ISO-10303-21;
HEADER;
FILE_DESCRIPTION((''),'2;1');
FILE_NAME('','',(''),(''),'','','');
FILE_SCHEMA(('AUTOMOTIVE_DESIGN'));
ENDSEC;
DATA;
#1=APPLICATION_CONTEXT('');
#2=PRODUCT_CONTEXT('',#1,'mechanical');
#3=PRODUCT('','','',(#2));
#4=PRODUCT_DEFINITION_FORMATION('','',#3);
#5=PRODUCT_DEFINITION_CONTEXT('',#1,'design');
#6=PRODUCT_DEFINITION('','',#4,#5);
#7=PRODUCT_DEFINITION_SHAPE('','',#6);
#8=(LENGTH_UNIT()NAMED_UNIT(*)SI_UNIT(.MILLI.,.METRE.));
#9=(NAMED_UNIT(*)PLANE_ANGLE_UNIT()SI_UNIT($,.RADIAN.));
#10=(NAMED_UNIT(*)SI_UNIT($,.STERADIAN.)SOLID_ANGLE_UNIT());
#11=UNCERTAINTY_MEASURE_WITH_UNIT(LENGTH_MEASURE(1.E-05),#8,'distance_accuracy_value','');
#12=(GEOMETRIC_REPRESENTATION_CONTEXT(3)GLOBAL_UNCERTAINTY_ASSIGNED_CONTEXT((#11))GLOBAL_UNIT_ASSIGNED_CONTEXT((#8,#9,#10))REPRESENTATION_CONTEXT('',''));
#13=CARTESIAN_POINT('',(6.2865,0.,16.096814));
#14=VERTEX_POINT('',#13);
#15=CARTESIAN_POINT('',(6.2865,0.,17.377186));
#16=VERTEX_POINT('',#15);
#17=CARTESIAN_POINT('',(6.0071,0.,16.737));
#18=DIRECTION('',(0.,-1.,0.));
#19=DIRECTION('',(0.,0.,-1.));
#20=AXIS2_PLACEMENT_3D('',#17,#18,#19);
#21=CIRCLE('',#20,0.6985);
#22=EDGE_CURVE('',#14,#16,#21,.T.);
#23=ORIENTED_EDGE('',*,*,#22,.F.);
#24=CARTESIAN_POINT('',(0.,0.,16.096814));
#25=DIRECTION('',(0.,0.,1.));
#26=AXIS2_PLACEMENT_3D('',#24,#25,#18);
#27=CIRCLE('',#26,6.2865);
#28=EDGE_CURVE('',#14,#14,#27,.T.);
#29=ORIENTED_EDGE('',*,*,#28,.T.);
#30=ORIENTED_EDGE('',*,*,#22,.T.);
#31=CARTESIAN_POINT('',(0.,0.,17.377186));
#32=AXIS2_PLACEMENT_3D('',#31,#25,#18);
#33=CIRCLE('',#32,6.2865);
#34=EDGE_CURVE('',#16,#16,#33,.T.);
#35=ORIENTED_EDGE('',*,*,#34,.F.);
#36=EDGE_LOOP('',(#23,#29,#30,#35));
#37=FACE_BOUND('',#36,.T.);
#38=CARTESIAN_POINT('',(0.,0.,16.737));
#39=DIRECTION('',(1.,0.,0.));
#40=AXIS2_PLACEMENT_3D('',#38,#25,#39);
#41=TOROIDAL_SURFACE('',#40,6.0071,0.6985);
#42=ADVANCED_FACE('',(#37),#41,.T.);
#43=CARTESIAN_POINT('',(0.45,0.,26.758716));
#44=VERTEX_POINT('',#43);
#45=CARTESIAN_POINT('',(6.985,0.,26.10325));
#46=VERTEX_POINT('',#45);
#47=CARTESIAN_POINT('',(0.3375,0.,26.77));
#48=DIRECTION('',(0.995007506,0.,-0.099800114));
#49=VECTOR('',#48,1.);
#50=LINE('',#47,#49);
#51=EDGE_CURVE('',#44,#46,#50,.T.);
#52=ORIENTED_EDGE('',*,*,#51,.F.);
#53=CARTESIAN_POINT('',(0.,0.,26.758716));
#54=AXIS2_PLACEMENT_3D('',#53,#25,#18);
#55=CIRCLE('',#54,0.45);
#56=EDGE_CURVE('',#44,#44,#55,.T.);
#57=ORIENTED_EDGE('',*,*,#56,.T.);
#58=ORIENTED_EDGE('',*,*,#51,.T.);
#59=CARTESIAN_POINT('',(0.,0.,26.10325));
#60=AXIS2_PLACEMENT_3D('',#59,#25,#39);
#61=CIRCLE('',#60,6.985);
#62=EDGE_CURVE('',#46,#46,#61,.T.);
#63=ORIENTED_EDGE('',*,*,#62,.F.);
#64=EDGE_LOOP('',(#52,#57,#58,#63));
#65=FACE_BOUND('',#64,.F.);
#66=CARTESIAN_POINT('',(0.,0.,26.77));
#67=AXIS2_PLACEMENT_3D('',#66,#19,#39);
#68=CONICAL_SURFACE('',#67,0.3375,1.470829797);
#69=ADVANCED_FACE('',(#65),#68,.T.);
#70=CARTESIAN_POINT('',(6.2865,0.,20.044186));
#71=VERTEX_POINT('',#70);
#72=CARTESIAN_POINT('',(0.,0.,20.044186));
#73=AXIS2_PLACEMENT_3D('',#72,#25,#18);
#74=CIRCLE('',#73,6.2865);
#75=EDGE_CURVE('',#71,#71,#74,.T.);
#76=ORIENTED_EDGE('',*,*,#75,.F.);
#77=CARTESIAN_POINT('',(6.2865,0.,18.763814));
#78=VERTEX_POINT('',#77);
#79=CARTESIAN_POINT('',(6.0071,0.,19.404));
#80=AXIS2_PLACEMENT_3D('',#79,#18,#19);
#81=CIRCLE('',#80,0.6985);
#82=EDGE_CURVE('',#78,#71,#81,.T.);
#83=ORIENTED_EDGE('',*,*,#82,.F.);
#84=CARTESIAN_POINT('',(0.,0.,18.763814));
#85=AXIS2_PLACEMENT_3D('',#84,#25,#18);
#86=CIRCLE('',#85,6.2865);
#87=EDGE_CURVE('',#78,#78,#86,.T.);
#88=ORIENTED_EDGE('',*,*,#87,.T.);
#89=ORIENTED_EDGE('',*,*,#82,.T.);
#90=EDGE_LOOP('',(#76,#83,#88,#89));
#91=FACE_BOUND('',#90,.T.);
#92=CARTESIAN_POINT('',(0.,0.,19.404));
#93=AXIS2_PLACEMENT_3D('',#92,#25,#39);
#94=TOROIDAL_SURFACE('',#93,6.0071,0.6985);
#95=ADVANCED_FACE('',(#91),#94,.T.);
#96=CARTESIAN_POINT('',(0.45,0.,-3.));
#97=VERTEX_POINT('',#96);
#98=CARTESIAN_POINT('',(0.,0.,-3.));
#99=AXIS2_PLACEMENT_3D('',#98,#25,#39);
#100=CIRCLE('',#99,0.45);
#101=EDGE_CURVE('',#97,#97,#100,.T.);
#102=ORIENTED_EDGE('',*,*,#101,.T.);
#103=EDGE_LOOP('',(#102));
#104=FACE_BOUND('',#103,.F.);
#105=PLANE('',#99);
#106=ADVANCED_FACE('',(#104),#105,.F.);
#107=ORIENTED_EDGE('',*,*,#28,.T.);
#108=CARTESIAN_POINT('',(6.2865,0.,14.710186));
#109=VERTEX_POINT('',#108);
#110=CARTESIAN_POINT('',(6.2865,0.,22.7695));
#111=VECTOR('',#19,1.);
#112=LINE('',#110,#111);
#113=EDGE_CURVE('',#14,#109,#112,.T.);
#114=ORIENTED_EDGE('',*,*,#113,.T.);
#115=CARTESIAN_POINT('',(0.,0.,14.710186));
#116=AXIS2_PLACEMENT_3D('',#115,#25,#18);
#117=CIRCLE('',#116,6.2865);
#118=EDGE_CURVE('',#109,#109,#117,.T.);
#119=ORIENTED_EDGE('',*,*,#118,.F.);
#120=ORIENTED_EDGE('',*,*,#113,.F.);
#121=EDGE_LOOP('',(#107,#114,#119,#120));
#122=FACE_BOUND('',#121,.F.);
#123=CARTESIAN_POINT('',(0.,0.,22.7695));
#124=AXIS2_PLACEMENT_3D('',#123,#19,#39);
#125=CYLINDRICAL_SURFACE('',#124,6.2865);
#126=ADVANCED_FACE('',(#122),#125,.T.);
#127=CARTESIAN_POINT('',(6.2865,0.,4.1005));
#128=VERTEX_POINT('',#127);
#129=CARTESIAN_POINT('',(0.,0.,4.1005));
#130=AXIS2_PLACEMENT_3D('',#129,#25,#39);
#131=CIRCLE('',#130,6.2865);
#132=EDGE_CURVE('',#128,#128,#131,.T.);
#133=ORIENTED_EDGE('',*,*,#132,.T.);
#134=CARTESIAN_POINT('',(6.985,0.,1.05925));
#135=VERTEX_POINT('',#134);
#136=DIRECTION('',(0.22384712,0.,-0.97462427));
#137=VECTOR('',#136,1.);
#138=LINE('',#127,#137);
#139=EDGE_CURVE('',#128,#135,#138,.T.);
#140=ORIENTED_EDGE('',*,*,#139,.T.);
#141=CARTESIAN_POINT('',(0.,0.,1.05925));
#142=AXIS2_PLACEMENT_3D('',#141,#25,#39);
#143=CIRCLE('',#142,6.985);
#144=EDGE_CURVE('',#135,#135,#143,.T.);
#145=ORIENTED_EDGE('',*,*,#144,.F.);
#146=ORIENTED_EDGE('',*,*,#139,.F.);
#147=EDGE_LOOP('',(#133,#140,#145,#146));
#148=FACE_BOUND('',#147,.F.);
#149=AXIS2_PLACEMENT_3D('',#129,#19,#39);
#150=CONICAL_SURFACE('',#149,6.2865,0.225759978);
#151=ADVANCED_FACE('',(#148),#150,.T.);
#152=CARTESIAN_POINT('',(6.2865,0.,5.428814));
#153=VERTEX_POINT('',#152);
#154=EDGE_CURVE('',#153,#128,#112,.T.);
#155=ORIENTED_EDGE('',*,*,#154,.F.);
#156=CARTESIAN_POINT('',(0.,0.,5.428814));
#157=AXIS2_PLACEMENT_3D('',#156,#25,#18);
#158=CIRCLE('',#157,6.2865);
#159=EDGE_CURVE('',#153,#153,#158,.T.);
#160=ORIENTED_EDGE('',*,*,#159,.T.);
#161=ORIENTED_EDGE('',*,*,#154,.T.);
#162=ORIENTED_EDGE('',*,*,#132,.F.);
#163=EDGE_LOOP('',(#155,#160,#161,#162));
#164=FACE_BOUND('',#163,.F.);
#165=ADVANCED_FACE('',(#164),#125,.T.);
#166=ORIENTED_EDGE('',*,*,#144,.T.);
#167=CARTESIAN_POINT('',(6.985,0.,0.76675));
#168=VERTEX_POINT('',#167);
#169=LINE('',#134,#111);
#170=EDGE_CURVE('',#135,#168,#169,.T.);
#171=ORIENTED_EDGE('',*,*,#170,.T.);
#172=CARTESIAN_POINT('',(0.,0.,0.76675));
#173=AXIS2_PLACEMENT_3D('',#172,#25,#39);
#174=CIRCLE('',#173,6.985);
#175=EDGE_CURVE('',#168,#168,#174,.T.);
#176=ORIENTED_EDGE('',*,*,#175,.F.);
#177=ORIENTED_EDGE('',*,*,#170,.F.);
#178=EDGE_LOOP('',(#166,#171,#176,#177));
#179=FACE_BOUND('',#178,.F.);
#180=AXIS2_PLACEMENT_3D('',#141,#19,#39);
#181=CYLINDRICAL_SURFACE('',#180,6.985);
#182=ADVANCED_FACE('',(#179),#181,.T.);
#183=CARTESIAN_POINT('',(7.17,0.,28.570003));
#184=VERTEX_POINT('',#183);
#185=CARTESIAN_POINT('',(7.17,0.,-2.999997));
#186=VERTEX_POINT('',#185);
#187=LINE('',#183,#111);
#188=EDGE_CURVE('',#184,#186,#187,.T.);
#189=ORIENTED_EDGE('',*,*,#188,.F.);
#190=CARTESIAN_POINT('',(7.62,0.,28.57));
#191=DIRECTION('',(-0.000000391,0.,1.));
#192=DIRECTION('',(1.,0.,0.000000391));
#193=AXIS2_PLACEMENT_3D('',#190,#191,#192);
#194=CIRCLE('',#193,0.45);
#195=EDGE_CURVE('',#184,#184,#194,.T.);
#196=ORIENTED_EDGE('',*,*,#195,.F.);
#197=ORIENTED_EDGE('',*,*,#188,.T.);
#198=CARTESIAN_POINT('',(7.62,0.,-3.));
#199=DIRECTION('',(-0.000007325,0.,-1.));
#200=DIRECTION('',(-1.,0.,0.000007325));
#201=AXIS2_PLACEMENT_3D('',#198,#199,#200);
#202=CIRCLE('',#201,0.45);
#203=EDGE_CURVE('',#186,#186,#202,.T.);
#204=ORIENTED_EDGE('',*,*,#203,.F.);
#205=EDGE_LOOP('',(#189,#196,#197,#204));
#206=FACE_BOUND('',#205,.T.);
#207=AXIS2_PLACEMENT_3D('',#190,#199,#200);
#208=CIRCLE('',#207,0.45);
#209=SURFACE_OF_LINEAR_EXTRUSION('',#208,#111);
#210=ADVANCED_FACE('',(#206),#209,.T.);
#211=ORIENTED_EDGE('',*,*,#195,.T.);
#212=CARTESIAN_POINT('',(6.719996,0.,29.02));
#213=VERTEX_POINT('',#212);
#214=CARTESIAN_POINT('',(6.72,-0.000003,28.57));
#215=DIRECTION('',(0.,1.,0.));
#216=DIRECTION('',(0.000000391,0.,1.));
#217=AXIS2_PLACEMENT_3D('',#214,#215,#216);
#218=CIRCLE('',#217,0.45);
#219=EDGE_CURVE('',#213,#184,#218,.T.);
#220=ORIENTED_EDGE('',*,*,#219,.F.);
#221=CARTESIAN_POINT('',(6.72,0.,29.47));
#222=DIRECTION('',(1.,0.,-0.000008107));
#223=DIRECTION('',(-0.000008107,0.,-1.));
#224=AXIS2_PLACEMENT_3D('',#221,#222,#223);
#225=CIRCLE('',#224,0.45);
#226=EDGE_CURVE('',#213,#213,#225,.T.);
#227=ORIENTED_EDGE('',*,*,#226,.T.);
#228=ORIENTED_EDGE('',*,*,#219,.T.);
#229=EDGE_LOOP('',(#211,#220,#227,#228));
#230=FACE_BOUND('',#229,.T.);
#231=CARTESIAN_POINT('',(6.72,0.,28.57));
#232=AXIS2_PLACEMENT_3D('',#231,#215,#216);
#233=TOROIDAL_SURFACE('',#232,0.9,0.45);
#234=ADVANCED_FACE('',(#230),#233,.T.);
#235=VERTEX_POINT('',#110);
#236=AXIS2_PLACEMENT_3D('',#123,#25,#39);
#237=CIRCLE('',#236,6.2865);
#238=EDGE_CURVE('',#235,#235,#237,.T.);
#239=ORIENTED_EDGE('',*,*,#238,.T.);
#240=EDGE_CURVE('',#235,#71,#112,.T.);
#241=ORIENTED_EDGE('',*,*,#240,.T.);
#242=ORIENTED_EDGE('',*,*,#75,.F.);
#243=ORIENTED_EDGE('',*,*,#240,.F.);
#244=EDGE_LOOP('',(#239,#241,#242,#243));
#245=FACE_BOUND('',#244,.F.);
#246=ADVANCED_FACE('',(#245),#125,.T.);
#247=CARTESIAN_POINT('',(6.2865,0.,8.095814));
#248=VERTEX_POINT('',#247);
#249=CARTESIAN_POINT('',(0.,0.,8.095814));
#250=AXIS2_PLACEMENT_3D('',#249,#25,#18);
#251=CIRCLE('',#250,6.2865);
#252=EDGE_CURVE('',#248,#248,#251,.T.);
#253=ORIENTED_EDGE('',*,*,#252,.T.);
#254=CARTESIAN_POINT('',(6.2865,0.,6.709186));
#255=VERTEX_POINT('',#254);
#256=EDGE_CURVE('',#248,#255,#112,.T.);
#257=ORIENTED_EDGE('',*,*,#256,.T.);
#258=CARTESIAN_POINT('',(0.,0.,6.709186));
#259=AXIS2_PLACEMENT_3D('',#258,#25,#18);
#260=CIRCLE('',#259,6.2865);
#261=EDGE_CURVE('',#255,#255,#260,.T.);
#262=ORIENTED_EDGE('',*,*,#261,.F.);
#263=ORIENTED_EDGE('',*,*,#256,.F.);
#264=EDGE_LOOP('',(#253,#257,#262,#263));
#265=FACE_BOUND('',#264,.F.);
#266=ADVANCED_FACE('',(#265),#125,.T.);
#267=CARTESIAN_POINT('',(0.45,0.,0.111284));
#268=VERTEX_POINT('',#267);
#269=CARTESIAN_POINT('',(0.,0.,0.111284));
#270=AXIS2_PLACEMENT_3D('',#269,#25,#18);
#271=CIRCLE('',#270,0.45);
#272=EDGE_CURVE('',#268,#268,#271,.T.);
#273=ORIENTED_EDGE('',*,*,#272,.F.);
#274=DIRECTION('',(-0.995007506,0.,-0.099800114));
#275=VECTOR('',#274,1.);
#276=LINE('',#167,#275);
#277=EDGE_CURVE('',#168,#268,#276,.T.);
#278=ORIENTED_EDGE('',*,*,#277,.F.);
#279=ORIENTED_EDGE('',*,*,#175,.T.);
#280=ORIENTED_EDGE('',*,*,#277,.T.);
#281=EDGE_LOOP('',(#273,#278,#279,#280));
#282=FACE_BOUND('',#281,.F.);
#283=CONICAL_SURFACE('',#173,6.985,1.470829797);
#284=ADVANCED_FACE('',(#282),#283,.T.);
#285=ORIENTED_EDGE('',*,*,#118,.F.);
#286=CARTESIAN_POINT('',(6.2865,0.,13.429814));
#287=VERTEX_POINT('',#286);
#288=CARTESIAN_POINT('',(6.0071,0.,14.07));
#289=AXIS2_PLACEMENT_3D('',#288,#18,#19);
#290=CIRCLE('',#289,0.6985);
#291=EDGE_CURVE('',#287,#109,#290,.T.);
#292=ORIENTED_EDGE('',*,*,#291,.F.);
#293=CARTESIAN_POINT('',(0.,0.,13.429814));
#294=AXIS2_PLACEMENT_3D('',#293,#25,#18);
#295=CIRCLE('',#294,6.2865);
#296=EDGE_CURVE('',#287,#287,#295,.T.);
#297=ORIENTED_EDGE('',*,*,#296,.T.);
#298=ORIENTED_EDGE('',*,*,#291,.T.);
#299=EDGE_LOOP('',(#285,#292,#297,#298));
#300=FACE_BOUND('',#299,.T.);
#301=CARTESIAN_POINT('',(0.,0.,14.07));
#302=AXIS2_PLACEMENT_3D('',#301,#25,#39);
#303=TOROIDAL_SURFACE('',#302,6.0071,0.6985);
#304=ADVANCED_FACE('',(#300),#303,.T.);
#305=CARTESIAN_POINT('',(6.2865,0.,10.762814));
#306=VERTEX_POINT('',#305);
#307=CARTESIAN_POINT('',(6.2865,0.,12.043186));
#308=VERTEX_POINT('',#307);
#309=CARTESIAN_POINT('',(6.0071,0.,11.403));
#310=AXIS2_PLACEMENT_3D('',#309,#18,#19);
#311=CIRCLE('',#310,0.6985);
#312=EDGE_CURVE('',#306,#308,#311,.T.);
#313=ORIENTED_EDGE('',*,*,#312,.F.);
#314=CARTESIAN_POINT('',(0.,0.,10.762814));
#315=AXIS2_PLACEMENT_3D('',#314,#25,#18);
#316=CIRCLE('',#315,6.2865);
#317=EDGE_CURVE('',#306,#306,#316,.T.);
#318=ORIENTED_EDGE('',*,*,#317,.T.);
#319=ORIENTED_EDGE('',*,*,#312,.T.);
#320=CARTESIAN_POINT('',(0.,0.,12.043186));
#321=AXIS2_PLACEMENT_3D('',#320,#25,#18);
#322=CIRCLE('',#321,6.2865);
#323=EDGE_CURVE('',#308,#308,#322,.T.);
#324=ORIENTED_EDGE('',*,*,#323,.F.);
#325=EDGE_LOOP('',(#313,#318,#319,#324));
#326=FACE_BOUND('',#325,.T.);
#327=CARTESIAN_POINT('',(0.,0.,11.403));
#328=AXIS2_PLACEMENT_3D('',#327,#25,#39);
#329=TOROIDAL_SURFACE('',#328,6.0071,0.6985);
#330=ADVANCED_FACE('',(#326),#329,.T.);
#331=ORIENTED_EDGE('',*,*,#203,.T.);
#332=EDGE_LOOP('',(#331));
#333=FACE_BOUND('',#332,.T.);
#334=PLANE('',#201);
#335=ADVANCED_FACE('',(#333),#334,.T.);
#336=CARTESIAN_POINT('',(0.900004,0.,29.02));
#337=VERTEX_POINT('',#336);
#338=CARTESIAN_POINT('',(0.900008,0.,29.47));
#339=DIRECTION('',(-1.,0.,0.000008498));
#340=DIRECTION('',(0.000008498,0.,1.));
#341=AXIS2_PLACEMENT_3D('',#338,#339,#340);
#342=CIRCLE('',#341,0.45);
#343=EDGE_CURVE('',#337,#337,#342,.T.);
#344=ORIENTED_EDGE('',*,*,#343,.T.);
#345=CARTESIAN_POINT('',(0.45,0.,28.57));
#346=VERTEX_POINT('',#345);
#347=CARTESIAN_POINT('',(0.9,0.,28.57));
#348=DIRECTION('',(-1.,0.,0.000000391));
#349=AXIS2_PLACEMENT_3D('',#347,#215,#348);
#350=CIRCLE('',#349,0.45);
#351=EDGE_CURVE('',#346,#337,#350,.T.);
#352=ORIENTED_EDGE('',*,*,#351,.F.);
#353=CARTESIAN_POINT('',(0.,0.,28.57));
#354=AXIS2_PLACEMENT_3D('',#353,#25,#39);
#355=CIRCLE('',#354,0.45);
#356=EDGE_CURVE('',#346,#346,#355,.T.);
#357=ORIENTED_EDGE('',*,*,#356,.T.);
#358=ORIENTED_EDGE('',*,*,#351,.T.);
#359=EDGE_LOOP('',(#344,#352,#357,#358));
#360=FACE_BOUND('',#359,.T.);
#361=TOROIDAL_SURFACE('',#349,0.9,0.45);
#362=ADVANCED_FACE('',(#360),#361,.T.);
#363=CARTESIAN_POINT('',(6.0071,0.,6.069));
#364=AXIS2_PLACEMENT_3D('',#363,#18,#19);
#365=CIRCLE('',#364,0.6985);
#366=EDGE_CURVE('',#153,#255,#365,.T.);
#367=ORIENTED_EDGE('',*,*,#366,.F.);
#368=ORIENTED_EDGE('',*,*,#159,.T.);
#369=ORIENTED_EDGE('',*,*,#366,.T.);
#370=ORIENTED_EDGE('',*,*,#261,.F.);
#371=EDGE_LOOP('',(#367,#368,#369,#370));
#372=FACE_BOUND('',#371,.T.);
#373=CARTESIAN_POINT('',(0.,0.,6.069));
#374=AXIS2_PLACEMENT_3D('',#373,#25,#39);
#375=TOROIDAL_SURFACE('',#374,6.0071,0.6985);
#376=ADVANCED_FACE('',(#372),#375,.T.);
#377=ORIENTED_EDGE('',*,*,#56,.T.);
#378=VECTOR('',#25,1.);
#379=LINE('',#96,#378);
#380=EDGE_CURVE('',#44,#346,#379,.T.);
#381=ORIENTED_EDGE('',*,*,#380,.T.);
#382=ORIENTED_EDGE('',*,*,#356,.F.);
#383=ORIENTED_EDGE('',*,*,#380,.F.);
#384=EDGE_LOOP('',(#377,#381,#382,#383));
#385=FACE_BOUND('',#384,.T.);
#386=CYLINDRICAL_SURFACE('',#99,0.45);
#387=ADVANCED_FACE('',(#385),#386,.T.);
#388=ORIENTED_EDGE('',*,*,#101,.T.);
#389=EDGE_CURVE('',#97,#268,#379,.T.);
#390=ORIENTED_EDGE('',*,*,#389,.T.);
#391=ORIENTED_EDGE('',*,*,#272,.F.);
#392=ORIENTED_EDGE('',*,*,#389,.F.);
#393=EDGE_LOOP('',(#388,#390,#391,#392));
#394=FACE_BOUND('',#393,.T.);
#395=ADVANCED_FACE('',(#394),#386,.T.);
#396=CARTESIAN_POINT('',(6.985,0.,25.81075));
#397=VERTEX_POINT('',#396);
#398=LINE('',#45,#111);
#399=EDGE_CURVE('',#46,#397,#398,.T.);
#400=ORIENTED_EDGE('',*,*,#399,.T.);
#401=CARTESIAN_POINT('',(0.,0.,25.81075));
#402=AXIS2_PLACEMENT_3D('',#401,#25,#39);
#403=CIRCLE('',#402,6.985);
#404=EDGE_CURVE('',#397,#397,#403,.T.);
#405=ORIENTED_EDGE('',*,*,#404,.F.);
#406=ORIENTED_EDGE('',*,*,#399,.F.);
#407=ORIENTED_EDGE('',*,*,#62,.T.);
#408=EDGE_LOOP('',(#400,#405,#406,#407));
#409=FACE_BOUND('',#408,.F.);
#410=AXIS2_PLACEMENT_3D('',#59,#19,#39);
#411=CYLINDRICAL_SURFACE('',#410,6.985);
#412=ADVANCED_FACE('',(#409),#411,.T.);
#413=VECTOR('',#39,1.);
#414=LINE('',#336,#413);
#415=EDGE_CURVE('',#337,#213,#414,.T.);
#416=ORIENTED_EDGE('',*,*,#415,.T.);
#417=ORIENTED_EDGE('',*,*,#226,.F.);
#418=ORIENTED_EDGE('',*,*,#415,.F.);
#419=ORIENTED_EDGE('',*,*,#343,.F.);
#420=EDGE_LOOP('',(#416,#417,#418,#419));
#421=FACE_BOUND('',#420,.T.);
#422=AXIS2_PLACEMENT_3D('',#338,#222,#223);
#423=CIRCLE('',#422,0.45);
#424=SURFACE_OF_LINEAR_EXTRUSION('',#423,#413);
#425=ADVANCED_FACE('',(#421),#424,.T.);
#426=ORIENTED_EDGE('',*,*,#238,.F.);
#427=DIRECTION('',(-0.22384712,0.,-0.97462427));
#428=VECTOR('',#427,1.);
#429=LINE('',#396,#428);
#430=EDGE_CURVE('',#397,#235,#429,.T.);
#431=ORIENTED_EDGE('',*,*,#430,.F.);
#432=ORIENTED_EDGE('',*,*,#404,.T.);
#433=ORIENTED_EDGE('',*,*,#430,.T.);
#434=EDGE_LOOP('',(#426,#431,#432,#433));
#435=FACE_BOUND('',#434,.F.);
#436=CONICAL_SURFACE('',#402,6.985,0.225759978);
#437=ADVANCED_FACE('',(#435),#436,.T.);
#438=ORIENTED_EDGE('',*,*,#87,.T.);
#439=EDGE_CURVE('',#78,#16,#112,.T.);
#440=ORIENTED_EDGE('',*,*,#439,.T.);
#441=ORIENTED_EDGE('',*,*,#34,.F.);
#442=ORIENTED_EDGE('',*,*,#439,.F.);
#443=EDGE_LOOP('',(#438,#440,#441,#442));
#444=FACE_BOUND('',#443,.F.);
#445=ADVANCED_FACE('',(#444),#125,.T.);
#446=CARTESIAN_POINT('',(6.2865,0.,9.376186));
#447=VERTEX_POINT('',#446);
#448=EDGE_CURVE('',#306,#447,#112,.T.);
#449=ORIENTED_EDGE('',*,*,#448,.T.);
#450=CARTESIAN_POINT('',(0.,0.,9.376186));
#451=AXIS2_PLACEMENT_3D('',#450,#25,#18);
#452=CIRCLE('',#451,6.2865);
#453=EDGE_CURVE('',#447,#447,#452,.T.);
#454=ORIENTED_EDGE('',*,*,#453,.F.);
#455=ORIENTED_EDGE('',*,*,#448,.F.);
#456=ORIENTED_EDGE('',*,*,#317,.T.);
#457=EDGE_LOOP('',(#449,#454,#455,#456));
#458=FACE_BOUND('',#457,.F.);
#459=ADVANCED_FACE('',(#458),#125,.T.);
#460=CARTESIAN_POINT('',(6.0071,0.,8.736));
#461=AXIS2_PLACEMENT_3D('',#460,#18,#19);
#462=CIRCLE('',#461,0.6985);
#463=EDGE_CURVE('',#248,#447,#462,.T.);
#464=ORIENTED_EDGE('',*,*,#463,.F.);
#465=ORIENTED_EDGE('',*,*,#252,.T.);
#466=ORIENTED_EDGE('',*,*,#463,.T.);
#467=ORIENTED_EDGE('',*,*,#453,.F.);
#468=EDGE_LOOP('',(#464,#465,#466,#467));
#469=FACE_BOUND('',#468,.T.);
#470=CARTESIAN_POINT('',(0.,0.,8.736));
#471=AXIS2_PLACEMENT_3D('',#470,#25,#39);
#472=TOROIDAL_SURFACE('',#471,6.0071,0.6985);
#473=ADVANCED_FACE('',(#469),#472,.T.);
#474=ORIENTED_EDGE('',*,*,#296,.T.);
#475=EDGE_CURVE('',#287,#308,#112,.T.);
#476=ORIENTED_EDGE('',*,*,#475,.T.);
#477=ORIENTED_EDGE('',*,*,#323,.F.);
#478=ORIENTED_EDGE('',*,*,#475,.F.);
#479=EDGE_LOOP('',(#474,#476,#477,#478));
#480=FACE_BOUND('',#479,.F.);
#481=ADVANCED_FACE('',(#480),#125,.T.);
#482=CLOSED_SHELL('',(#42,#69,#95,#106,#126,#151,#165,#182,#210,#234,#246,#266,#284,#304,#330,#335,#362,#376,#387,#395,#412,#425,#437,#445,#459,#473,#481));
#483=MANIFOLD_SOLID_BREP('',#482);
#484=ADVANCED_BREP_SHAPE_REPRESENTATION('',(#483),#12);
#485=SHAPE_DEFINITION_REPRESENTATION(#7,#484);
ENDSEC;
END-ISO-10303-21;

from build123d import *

# Parameters (mm, degrees)
SKETCH_R = 0.45


with BuildPart() as revolution:
    # Sketch002 → Revolution (revolve)
    with BuildSketch(Plane.XZ):
        Polygon((0, 0.1), (0, 26.77), (0.3375, 26.77), (6.985, 26.10325), (6.985, 25.81075), (6.2865, 22.7695), (6.2865, 4.1005), (6.985, 1.05925), (6.985, 0.76675), (0.3375, 0.1), align=None)
    revolve(axis=Axis((0, 0, 0), (0, 0, 1)))


with BuildPart() as sweep_body:
    # Sweep: sweep along a path in Sketch001
    with BuildLine(Plane.XZ) as sweep_path:
        Line((0, -3), (0, 28.57))
        ThreePointArc((0, 28.57), (0.263607, 29.206399), (0.900008, 29.47))
        Line((0.900008, 29.47), (6.72, 29.47))
        ThreePointArc((6.72, 29.47), (7.356396, 29.206396), (7.62, 28.57))
        Line((7.62, 28.57), (7.62, -3))
    # Sketch → Sweep (sweep)
    with BuildSketch(Plane.XY.offset(-2)):
        Circle(SKETCH_R)
    sweep(path=sweep_path.line)


with BuildPart() as revolution001_mp_cp:
    # Sketch003 → Revolution001 (revolve)
    with BuildSketch(Plane.XZ):
        with BuildLine():
            Line((5.588, 21.3725), (5.588, 4.1005))
            Line((5.588, 4.1005), (6.0071, 4.1005))
            Line((6.0071, 4.1005), (6.0071, 5.3705))
            ThreePointArc((6.0071, 5.3705), (6.7056, 6.069), (6.0071, 6.7675))
            Line((6.0071, 6.7675), (6.0071, 8.0375))
            ThreePointArc((6.0071, 8.0375), (6.7056, 8.736), (6.0071, 9.4345))
            Line((6.0071, 9.4345), (6.0071, 10.7045))
            ThreePointArc((6.0071, 10.7045), (6.7056, 11.403), (6.0071, 12.1015))
            Line((6.0071, 12.1015), (6.0071, 13.3715))
            ThreePointArc((6.0071, 13.3715), (6.7056, 14.07), (6.0071, 14.7685))
            Line((6.0071, 14.7685), (6.0071, 16.0385))
            ThreePointArc((6.0071, 16.0385), (6.7056, 16.737), (6.0071, 17.4355))
            Line((6.0071, 17.4355), (6.0071, 18.7055))
            ThreePointArc((6.0071, 18.7055), (6.7056, 19.404), (6.0071, 20.1025))
            Line((6.0071, 21.3725), (6.0071, 20.1025))
            Line((5.588, 21.3725), (6.0071, 21.3725))
        make_face()
    revolve(axis=Axis((0, 0, 0), (0, 0, 1)))

    # Revolution001_mp_cp: union Revolution, Sweep body
    add(revolution.part)
    add(sweep_body.part)


solid = revolution001_mp_cp.part
